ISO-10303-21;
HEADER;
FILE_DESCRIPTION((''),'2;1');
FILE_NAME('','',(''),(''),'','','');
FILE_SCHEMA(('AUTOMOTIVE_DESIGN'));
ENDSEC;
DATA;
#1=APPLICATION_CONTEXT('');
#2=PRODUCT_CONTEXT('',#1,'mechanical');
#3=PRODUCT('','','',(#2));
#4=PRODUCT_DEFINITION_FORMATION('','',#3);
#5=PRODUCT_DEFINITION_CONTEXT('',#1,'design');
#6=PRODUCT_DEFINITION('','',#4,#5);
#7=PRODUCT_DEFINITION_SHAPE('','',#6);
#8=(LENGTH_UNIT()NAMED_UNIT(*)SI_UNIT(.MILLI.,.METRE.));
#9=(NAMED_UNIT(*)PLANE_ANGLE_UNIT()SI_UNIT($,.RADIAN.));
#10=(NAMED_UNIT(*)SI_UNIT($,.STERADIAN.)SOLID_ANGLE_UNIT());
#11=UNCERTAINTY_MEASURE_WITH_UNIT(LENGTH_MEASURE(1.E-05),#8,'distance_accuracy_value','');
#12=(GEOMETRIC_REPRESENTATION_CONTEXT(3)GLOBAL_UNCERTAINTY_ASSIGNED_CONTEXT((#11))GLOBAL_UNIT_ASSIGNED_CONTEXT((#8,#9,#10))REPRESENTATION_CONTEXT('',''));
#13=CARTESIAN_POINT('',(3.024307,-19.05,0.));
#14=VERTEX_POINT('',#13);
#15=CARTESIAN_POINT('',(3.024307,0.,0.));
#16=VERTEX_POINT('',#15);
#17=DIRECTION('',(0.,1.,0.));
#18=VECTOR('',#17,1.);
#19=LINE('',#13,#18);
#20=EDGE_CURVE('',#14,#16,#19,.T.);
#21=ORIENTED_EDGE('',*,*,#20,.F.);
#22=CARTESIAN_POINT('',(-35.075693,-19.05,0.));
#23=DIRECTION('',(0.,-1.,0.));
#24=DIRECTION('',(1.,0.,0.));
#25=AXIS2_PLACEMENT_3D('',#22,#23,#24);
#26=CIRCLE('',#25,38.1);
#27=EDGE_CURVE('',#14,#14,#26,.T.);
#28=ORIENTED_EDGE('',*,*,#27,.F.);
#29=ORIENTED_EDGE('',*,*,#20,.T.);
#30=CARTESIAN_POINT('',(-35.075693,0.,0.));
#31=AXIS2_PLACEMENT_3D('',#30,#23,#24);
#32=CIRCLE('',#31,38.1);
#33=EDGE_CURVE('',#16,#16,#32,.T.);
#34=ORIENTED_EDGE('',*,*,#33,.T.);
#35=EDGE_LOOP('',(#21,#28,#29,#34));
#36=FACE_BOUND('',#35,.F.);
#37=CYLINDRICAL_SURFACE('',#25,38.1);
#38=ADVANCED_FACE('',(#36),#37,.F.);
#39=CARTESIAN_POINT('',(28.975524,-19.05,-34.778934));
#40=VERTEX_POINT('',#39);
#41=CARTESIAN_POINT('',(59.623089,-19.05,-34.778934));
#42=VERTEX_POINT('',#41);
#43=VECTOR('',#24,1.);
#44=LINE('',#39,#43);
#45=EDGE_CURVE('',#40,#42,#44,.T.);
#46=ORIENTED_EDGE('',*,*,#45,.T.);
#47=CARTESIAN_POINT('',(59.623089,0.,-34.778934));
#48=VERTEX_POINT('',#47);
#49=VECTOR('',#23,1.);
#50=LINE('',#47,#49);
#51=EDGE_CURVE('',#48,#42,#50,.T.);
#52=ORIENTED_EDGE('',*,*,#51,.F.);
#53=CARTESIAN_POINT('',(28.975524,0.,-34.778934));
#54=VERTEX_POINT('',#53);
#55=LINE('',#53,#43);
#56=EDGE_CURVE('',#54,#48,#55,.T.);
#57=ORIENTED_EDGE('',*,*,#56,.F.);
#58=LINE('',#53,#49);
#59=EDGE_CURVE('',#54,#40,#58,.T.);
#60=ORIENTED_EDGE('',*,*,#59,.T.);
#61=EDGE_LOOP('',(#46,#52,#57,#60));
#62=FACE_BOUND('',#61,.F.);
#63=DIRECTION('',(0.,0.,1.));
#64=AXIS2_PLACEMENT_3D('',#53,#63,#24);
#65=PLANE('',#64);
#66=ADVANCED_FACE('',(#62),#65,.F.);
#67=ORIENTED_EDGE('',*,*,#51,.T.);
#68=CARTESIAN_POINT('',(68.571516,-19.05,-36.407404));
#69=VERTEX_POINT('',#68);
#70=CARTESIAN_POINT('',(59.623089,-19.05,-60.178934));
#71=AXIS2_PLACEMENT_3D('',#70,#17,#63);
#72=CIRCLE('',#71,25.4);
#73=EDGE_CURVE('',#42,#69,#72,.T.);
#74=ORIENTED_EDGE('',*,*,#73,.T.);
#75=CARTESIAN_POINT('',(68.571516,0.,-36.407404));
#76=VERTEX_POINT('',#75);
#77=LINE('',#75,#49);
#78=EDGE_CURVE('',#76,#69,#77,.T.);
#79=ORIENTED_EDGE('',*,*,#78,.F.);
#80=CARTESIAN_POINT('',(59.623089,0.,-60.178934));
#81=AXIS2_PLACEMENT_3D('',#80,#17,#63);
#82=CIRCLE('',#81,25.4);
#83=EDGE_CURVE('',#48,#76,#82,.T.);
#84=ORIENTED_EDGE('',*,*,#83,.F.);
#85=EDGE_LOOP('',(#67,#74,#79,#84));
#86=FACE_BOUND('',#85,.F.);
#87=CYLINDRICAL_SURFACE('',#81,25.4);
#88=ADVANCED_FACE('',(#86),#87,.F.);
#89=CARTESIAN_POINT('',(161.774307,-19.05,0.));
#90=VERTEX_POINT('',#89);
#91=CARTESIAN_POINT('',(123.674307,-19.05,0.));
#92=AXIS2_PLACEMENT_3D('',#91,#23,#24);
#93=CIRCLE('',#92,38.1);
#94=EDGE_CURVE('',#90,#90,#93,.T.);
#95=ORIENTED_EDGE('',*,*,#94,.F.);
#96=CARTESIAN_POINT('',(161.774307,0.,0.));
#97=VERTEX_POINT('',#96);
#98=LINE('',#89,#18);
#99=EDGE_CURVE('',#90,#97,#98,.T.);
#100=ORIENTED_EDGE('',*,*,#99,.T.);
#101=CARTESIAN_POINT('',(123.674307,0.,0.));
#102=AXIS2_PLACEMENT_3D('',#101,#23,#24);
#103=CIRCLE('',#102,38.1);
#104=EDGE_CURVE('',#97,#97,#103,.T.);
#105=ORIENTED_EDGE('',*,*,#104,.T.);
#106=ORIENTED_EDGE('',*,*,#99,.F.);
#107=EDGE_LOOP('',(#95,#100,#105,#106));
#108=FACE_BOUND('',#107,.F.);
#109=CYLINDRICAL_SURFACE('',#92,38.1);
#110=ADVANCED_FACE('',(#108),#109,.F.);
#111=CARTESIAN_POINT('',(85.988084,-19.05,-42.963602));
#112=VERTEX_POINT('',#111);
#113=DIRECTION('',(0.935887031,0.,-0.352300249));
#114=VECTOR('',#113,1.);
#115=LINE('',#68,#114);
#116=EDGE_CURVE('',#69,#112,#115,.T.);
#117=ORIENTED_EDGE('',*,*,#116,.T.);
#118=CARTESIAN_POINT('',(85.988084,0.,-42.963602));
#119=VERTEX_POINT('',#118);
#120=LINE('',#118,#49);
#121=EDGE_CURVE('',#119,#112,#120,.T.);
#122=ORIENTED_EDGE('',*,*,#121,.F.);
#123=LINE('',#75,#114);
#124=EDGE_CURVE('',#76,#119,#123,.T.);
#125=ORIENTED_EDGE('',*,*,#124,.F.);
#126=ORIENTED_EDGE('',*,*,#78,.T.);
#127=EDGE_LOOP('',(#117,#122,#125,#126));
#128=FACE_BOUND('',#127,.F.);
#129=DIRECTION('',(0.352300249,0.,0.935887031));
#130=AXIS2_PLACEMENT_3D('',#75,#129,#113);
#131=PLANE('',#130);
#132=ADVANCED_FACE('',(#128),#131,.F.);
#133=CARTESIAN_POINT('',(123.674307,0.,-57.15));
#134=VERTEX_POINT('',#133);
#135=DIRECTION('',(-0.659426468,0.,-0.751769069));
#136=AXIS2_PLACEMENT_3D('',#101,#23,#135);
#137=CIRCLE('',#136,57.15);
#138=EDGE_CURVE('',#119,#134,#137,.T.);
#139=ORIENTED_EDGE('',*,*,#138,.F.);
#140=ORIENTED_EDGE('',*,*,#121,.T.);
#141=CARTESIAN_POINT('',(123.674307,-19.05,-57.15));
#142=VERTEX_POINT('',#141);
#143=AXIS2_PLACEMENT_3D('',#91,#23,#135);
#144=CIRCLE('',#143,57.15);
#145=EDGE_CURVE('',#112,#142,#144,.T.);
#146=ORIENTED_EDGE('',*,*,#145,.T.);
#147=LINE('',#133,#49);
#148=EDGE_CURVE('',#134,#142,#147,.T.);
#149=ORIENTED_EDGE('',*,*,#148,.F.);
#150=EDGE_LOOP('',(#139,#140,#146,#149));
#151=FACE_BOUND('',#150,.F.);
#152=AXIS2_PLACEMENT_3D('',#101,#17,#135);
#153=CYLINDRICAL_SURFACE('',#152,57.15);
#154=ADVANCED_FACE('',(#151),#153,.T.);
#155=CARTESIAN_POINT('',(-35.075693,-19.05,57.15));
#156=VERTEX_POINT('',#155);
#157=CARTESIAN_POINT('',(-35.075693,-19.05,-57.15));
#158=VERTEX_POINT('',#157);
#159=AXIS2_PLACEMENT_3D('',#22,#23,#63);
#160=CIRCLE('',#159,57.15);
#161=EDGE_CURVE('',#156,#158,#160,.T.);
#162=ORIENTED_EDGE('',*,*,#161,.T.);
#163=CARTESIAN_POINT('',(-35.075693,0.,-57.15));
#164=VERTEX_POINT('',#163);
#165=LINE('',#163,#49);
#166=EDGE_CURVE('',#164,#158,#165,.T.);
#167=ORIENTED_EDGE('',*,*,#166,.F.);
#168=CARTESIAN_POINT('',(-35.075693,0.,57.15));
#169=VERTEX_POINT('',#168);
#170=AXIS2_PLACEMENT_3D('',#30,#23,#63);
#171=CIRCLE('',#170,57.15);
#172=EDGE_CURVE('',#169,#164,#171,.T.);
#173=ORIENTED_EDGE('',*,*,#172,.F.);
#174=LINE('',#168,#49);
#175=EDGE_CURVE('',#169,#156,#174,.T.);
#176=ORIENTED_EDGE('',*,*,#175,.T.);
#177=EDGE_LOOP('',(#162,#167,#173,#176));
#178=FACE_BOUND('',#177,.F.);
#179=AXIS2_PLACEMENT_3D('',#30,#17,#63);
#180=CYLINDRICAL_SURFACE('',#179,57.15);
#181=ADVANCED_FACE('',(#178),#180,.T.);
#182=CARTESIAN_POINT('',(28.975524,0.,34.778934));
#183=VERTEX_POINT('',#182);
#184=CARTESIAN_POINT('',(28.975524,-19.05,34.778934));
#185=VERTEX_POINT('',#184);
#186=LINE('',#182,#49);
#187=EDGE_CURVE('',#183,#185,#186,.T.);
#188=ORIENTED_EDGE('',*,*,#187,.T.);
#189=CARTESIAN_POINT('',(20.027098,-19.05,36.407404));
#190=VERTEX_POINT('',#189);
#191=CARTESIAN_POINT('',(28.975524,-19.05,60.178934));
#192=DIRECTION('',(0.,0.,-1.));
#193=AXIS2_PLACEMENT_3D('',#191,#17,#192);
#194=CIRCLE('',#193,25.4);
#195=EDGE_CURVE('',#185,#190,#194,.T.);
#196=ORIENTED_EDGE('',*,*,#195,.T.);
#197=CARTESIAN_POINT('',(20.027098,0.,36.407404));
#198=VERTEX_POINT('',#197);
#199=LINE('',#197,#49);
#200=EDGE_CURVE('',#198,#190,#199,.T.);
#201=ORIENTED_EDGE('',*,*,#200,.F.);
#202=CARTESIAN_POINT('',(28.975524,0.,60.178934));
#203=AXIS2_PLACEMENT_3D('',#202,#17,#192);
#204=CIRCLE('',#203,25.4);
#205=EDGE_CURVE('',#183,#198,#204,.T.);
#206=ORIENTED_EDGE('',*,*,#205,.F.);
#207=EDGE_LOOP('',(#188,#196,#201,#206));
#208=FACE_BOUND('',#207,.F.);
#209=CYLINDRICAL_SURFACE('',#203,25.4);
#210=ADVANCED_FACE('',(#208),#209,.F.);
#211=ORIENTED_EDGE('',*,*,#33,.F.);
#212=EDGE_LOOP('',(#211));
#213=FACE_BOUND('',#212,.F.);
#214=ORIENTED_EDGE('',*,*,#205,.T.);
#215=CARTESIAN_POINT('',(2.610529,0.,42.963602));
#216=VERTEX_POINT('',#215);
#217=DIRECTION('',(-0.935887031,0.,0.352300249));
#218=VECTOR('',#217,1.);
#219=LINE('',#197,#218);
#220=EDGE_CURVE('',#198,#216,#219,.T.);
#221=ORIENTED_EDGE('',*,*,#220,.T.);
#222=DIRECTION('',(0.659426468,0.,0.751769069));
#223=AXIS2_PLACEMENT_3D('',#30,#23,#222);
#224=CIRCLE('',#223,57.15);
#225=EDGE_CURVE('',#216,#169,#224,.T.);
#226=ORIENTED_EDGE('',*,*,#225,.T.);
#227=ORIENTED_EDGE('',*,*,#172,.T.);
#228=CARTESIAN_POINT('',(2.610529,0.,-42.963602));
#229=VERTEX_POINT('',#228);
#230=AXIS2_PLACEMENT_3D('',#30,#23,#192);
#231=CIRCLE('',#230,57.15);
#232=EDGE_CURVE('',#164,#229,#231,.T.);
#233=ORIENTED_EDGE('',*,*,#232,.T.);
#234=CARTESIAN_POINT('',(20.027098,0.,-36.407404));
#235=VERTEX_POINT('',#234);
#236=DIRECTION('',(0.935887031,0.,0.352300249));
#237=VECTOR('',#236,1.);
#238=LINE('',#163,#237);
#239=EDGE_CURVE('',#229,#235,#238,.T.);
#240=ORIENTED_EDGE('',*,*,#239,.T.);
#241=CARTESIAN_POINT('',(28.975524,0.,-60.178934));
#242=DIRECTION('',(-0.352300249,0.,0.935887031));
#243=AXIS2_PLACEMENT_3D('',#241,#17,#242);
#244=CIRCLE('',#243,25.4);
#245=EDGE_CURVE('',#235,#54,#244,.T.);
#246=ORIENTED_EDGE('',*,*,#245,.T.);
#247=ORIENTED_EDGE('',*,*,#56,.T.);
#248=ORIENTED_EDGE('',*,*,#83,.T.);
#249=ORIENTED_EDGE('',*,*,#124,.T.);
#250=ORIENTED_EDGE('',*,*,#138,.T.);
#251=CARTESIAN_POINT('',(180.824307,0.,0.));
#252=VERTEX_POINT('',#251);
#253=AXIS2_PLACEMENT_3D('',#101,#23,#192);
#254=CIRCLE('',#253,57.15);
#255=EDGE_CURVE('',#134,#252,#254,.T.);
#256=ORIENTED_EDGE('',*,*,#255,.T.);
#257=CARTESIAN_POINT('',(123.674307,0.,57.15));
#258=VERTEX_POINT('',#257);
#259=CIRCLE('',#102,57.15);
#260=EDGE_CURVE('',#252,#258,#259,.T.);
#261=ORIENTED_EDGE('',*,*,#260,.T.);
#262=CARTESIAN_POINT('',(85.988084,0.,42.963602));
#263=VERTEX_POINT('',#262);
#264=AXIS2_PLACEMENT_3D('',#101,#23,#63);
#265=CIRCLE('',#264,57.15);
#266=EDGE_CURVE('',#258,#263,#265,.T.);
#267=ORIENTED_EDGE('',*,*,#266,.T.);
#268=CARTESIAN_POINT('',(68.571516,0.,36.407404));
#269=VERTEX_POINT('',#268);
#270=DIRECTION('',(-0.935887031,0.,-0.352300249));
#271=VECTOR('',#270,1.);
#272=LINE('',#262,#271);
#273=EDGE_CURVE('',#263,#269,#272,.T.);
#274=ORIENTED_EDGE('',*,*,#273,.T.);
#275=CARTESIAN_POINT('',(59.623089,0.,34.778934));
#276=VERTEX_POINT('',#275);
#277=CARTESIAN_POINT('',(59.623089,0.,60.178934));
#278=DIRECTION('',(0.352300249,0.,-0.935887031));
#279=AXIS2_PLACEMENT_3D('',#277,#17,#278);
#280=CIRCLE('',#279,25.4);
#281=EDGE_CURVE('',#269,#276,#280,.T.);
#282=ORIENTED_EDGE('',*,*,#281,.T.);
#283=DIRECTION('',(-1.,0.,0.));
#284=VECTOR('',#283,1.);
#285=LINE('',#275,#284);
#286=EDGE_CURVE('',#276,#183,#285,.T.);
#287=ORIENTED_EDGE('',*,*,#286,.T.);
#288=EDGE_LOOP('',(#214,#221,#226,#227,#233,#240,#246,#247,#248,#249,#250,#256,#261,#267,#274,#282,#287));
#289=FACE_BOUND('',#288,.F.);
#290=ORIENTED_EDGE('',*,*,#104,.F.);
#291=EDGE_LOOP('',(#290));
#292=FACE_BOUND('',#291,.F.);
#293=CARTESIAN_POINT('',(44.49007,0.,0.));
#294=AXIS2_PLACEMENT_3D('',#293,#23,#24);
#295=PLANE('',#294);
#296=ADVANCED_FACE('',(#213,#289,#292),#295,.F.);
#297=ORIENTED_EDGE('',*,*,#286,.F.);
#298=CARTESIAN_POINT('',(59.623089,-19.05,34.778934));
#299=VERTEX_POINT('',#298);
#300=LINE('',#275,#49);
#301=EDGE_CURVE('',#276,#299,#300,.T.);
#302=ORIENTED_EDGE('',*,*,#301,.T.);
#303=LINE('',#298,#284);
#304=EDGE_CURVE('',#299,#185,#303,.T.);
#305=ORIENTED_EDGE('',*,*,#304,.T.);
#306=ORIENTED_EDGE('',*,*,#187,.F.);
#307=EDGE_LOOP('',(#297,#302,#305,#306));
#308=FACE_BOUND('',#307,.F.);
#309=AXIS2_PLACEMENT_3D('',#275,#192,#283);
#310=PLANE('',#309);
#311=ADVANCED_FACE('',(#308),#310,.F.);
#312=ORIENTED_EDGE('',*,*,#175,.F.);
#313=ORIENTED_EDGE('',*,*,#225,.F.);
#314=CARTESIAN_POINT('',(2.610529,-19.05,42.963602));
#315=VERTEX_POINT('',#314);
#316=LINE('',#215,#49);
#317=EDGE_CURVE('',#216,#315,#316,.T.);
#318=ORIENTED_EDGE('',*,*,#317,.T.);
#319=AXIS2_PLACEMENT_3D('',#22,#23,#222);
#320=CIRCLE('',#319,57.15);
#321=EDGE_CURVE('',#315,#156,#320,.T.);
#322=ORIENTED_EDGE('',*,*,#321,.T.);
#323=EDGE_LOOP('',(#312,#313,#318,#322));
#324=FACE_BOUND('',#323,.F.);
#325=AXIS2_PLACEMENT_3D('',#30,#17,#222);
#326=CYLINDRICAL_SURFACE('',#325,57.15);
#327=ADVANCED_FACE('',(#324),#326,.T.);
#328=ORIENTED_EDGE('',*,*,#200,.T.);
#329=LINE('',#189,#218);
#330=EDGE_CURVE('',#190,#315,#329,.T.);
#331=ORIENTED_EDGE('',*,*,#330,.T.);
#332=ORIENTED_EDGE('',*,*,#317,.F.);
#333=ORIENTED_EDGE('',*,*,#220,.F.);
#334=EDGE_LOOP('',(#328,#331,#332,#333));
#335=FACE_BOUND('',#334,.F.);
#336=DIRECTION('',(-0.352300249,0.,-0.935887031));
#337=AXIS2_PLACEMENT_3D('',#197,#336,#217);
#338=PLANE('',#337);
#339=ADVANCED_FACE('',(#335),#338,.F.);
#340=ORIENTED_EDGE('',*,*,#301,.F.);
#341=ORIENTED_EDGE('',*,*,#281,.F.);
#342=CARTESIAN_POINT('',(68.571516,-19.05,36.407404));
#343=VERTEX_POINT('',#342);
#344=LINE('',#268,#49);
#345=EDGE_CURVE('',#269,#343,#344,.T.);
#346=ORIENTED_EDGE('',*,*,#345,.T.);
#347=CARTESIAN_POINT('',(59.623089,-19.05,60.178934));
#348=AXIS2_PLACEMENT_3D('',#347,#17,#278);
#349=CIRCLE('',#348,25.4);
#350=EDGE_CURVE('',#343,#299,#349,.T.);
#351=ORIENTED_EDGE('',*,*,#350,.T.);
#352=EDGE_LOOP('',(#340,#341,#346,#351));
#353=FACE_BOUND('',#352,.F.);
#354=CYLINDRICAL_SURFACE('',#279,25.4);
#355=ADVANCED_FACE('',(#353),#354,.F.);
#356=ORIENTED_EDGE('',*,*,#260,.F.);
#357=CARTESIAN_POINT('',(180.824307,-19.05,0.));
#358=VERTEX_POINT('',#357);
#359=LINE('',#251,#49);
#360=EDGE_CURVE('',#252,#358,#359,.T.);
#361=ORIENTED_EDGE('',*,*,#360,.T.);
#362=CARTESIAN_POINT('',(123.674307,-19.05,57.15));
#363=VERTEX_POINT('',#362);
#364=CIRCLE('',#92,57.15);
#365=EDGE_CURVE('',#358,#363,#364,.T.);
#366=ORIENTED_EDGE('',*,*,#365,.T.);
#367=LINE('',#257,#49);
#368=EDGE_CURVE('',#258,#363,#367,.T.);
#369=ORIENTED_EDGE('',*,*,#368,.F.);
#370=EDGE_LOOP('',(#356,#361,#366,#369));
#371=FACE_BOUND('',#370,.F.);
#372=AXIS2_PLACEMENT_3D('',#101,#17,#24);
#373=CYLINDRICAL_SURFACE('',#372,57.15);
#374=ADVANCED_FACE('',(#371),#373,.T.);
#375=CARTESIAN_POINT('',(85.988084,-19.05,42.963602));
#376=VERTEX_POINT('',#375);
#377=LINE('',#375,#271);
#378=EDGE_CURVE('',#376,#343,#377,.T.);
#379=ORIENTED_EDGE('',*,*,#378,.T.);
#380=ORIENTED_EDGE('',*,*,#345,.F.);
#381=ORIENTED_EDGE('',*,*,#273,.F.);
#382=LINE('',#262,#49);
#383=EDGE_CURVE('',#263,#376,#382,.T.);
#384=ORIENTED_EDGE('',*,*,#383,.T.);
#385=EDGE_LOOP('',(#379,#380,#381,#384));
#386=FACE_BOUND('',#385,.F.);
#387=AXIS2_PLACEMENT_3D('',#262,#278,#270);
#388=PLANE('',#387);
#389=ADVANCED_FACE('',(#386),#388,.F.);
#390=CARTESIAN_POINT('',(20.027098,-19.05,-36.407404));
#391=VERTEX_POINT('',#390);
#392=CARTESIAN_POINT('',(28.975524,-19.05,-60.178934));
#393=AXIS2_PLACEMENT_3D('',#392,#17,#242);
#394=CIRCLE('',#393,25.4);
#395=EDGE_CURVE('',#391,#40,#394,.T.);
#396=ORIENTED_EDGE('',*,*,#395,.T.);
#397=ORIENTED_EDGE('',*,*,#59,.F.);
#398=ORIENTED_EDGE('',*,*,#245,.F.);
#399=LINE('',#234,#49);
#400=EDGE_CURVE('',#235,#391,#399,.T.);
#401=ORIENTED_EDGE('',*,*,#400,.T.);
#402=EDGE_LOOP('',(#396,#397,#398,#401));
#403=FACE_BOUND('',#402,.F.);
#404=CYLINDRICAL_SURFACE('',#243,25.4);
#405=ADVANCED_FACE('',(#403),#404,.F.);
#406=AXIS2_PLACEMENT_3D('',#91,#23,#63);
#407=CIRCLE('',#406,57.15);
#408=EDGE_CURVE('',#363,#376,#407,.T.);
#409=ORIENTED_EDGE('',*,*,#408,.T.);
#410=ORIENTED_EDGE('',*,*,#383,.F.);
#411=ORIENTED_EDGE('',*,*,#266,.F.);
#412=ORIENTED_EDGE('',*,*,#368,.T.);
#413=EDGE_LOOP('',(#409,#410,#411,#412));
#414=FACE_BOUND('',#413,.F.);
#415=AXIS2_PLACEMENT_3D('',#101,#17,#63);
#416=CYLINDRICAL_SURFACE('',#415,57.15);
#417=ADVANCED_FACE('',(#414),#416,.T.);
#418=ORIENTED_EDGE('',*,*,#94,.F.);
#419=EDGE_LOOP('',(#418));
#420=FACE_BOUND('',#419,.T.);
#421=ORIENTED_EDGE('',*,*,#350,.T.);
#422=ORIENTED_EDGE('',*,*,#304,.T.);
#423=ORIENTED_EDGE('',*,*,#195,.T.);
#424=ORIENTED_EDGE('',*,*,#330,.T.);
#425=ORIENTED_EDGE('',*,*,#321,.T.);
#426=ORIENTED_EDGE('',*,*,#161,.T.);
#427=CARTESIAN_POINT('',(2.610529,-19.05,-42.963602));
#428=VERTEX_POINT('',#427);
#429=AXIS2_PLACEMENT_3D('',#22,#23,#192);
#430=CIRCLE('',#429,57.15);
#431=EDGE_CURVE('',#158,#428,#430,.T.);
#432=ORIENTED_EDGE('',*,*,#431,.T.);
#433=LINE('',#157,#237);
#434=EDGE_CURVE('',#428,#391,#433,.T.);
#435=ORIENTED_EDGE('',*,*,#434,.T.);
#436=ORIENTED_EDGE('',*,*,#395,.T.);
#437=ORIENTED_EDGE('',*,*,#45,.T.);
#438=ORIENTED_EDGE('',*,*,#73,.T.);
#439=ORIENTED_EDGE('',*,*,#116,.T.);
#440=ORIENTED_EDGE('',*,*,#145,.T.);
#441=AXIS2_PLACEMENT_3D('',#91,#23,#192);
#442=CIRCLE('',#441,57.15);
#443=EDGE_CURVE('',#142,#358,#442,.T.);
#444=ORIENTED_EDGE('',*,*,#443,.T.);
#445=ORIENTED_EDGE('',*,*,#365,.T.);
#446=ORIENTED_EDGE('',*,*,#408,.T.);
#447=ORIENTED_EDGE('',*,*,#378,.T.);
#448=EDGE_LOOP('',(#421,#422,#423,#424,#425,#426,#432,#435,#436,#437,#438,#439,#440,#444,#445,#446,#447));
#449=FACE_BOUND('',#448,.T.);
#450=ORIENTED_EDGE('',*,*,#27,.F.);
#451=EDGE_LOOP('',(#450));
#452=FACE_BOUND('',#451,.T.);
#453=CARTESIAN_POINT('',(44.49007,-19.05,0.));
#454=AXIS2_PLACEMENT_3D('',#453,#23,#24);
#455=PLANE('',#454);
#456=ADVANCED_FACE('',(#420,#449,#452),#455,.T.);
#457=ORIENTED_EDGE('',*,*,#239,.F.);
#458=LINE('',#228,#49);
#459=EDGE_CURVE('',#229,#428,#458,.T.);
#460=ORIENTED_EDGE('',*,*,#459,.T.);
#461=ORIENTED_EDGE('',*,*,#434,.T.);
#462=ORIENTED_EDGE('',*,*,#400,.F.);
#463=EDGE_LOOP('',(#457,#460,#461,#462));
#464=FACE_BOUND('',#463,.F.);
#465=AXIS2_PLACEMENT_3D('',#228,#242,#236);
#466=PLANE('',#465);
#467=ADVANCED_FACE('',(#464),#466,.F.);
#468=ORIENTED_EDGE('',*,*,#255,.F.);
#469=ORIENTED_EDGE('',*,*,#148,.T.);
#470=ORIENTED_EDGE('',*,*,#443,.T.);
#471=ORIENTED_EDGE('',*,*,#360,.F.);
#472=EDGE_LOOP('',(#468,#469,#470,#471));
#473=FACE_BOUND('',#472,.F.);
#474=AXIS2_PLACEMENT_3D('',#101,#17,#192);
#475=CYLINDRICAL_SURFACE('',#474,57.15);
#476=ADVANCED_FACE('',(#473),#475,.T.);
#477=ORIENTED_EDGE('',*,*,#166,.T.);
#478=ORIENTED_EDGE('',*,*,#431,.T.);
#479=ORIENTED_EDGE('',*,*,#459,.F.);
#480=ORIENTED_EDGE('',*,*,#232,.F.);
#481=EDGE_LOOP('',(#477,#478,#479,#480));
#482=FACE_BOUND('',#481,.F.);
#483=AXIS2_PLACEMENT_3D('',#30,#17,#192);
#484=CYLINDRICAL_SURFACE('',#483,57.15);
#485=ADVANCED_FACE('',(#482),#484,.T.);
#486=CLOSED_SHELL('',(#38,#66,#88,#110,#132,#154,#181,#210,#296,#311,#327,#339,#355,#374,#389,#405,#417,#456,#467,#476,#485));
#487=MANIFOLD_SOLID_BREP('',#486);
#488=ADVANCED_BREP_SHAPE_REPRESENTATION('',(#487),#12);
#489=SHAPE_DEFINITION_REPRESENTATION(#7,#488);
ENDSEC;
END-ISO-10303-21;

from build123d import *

# Parameters (mm, degrees)
F1_DEPTH = 19.05
F2_R     = 38.1
F3_DEPTH = 25.4


with BuildPart() as f1:
    # F0 (on Front) → F1 (new body)
    with BuildSketch(Plane.XZ):
        with BuildLine():
            Line((20.027097595, 36.4074036121), (2.6105293283, 42.9636023111))
            ThreePointArc((2.6105293283, 42.9636023111), (16.9814393634, 23.5834144733), (22.0743066938, 0))
            ThreePointArc((22.0743066938, 0), (16.9814393634, -23.5834144733), (2.6105293283, -42.9636023111))
            Line((2.6105293283, -42.9636023111), (20.027097595, -36.4074036121))
            ThreePointArc((20.027097595, -36.4074036121), (24.4278254251, -35.189367606), (28.975523916, -34.7789341976))
            Line((28.975523916, -34.7789341976), (59.6230894717, -34.7789341976))
            ThreePointArc((59.6230894717, -34.7789341976), (64.1707879626, -35.189367606), (68.5715157927, -36.4074036121))
            Line((68.5715157927, -36.4074036121), (85.9880840594, -42.9636023111))
            ThreePointArc((85.9880840594, -42.9636023111), (66.5243066938, 0), (85.9880840594, 42.9636023111))
            Line((85.9880840594, 42.9636023111), (68.5715157927, 36.4074036121))
            ThreePointArc((68.5715157927, 36.4074036121), (64.1707879626, 35.189367606), (59.6230894717, 34.7789341976))
            Line((59.6230894717, 34.7789341976), (28.975523916, 34.7789341976))
            ThreePointArc((28.975523916, 34.7789341976), (24.4278254251, 35.189367606), (20.027097595, 36.4074036121))
        make_face()
        with BuildLine():
            ThreePointArc((2.6105293283, 42.9636023111), (-14.941734084, 53.4859438174), (-35.0756933062, 57.15))
            Line((-35.0756933062, 57.15), (2.6105293283, 42.9636023111))
        make_face()
        with BuildLine():
            Line((123.6743066938, 57.15), (85.9880840594, 42.9636023111))
            ThreePointArc((85.9880840594, 42.9636023111), (66.5243066938, 0), (85.9880840594, -42.9636023111))
            Line((85.9880840594, -42.9636023111), (123.6743066938, -57.15))
            ThreePointArc((123.6743066938, -57.15), (164.0854592386, -40.4111525448), (180.8243066938, 0))
            ThreePointArc((180.8243066938, 0), (164.0854592386, 40.4111525448), (123.6743066938, 57.15))
        make_face()
        with BuildLine():
            ThreePointArc((123.6743066938, 57.15), (103.5403474717, 53.4859438174), (85.9880840594, 42.9636023111))
            Line((85.9880840594, 42.9636023111), (123.6743066938, 57.15))
        make_face()
        with BuildLine():
            Line((2.6105293283, 42.9636023111), (-35.0756933062, 57.15))
            ThreePointArc((-35.0756933062, 57.15), (-92.2256933062, 0), (-35.0756933062, -57.15))
            Line((-35.0756933062, -57.15), (2.6105293283, -42.9636023111))
            ThreePointArc((2.6105293283, -42.9636023111), (16.9814393634, -23.5834144733), (22.0743066938, 0))
            ThreePointArc((22.0743066938, 0), (16.9814393634, 23.5834144733), (2.6105293283, 42.9636023111))
        make_face()
        with BuildLine():
            Line((2.6105293283, -42.9636023111), (-35.0756933062, -57.15))
            ThreePointArc((-35.0756933062, -57.15), (-14.941734084, -53.4859438174), (2.6105293283, -42.9636023111))
        make_face()
        with BuildLine():
            Line((123.6743066938, -57.15), (85.9880840594, -42.9636023111))
            ThreePointArc((85.9880840594, -42.9636023111), (103.5403474717, -53.4859438174), (123.6743066938, -57.15))
        make_face()
    extrude(amount=F1_DEPTH)

    # F2 (on face) → F3 (cut)
    with BuildSketch(Plane.XZ.offset(19.05)):
        with Locations((-35.0756933062, 0)):
            Circle(F2_R)
        with Locations((123.6743066938, 0)):
            Circle(F2_R)
    extrude(amount=-F3_DEPTH, mode=Mode.SUBTRACT)


solid = f1.part
